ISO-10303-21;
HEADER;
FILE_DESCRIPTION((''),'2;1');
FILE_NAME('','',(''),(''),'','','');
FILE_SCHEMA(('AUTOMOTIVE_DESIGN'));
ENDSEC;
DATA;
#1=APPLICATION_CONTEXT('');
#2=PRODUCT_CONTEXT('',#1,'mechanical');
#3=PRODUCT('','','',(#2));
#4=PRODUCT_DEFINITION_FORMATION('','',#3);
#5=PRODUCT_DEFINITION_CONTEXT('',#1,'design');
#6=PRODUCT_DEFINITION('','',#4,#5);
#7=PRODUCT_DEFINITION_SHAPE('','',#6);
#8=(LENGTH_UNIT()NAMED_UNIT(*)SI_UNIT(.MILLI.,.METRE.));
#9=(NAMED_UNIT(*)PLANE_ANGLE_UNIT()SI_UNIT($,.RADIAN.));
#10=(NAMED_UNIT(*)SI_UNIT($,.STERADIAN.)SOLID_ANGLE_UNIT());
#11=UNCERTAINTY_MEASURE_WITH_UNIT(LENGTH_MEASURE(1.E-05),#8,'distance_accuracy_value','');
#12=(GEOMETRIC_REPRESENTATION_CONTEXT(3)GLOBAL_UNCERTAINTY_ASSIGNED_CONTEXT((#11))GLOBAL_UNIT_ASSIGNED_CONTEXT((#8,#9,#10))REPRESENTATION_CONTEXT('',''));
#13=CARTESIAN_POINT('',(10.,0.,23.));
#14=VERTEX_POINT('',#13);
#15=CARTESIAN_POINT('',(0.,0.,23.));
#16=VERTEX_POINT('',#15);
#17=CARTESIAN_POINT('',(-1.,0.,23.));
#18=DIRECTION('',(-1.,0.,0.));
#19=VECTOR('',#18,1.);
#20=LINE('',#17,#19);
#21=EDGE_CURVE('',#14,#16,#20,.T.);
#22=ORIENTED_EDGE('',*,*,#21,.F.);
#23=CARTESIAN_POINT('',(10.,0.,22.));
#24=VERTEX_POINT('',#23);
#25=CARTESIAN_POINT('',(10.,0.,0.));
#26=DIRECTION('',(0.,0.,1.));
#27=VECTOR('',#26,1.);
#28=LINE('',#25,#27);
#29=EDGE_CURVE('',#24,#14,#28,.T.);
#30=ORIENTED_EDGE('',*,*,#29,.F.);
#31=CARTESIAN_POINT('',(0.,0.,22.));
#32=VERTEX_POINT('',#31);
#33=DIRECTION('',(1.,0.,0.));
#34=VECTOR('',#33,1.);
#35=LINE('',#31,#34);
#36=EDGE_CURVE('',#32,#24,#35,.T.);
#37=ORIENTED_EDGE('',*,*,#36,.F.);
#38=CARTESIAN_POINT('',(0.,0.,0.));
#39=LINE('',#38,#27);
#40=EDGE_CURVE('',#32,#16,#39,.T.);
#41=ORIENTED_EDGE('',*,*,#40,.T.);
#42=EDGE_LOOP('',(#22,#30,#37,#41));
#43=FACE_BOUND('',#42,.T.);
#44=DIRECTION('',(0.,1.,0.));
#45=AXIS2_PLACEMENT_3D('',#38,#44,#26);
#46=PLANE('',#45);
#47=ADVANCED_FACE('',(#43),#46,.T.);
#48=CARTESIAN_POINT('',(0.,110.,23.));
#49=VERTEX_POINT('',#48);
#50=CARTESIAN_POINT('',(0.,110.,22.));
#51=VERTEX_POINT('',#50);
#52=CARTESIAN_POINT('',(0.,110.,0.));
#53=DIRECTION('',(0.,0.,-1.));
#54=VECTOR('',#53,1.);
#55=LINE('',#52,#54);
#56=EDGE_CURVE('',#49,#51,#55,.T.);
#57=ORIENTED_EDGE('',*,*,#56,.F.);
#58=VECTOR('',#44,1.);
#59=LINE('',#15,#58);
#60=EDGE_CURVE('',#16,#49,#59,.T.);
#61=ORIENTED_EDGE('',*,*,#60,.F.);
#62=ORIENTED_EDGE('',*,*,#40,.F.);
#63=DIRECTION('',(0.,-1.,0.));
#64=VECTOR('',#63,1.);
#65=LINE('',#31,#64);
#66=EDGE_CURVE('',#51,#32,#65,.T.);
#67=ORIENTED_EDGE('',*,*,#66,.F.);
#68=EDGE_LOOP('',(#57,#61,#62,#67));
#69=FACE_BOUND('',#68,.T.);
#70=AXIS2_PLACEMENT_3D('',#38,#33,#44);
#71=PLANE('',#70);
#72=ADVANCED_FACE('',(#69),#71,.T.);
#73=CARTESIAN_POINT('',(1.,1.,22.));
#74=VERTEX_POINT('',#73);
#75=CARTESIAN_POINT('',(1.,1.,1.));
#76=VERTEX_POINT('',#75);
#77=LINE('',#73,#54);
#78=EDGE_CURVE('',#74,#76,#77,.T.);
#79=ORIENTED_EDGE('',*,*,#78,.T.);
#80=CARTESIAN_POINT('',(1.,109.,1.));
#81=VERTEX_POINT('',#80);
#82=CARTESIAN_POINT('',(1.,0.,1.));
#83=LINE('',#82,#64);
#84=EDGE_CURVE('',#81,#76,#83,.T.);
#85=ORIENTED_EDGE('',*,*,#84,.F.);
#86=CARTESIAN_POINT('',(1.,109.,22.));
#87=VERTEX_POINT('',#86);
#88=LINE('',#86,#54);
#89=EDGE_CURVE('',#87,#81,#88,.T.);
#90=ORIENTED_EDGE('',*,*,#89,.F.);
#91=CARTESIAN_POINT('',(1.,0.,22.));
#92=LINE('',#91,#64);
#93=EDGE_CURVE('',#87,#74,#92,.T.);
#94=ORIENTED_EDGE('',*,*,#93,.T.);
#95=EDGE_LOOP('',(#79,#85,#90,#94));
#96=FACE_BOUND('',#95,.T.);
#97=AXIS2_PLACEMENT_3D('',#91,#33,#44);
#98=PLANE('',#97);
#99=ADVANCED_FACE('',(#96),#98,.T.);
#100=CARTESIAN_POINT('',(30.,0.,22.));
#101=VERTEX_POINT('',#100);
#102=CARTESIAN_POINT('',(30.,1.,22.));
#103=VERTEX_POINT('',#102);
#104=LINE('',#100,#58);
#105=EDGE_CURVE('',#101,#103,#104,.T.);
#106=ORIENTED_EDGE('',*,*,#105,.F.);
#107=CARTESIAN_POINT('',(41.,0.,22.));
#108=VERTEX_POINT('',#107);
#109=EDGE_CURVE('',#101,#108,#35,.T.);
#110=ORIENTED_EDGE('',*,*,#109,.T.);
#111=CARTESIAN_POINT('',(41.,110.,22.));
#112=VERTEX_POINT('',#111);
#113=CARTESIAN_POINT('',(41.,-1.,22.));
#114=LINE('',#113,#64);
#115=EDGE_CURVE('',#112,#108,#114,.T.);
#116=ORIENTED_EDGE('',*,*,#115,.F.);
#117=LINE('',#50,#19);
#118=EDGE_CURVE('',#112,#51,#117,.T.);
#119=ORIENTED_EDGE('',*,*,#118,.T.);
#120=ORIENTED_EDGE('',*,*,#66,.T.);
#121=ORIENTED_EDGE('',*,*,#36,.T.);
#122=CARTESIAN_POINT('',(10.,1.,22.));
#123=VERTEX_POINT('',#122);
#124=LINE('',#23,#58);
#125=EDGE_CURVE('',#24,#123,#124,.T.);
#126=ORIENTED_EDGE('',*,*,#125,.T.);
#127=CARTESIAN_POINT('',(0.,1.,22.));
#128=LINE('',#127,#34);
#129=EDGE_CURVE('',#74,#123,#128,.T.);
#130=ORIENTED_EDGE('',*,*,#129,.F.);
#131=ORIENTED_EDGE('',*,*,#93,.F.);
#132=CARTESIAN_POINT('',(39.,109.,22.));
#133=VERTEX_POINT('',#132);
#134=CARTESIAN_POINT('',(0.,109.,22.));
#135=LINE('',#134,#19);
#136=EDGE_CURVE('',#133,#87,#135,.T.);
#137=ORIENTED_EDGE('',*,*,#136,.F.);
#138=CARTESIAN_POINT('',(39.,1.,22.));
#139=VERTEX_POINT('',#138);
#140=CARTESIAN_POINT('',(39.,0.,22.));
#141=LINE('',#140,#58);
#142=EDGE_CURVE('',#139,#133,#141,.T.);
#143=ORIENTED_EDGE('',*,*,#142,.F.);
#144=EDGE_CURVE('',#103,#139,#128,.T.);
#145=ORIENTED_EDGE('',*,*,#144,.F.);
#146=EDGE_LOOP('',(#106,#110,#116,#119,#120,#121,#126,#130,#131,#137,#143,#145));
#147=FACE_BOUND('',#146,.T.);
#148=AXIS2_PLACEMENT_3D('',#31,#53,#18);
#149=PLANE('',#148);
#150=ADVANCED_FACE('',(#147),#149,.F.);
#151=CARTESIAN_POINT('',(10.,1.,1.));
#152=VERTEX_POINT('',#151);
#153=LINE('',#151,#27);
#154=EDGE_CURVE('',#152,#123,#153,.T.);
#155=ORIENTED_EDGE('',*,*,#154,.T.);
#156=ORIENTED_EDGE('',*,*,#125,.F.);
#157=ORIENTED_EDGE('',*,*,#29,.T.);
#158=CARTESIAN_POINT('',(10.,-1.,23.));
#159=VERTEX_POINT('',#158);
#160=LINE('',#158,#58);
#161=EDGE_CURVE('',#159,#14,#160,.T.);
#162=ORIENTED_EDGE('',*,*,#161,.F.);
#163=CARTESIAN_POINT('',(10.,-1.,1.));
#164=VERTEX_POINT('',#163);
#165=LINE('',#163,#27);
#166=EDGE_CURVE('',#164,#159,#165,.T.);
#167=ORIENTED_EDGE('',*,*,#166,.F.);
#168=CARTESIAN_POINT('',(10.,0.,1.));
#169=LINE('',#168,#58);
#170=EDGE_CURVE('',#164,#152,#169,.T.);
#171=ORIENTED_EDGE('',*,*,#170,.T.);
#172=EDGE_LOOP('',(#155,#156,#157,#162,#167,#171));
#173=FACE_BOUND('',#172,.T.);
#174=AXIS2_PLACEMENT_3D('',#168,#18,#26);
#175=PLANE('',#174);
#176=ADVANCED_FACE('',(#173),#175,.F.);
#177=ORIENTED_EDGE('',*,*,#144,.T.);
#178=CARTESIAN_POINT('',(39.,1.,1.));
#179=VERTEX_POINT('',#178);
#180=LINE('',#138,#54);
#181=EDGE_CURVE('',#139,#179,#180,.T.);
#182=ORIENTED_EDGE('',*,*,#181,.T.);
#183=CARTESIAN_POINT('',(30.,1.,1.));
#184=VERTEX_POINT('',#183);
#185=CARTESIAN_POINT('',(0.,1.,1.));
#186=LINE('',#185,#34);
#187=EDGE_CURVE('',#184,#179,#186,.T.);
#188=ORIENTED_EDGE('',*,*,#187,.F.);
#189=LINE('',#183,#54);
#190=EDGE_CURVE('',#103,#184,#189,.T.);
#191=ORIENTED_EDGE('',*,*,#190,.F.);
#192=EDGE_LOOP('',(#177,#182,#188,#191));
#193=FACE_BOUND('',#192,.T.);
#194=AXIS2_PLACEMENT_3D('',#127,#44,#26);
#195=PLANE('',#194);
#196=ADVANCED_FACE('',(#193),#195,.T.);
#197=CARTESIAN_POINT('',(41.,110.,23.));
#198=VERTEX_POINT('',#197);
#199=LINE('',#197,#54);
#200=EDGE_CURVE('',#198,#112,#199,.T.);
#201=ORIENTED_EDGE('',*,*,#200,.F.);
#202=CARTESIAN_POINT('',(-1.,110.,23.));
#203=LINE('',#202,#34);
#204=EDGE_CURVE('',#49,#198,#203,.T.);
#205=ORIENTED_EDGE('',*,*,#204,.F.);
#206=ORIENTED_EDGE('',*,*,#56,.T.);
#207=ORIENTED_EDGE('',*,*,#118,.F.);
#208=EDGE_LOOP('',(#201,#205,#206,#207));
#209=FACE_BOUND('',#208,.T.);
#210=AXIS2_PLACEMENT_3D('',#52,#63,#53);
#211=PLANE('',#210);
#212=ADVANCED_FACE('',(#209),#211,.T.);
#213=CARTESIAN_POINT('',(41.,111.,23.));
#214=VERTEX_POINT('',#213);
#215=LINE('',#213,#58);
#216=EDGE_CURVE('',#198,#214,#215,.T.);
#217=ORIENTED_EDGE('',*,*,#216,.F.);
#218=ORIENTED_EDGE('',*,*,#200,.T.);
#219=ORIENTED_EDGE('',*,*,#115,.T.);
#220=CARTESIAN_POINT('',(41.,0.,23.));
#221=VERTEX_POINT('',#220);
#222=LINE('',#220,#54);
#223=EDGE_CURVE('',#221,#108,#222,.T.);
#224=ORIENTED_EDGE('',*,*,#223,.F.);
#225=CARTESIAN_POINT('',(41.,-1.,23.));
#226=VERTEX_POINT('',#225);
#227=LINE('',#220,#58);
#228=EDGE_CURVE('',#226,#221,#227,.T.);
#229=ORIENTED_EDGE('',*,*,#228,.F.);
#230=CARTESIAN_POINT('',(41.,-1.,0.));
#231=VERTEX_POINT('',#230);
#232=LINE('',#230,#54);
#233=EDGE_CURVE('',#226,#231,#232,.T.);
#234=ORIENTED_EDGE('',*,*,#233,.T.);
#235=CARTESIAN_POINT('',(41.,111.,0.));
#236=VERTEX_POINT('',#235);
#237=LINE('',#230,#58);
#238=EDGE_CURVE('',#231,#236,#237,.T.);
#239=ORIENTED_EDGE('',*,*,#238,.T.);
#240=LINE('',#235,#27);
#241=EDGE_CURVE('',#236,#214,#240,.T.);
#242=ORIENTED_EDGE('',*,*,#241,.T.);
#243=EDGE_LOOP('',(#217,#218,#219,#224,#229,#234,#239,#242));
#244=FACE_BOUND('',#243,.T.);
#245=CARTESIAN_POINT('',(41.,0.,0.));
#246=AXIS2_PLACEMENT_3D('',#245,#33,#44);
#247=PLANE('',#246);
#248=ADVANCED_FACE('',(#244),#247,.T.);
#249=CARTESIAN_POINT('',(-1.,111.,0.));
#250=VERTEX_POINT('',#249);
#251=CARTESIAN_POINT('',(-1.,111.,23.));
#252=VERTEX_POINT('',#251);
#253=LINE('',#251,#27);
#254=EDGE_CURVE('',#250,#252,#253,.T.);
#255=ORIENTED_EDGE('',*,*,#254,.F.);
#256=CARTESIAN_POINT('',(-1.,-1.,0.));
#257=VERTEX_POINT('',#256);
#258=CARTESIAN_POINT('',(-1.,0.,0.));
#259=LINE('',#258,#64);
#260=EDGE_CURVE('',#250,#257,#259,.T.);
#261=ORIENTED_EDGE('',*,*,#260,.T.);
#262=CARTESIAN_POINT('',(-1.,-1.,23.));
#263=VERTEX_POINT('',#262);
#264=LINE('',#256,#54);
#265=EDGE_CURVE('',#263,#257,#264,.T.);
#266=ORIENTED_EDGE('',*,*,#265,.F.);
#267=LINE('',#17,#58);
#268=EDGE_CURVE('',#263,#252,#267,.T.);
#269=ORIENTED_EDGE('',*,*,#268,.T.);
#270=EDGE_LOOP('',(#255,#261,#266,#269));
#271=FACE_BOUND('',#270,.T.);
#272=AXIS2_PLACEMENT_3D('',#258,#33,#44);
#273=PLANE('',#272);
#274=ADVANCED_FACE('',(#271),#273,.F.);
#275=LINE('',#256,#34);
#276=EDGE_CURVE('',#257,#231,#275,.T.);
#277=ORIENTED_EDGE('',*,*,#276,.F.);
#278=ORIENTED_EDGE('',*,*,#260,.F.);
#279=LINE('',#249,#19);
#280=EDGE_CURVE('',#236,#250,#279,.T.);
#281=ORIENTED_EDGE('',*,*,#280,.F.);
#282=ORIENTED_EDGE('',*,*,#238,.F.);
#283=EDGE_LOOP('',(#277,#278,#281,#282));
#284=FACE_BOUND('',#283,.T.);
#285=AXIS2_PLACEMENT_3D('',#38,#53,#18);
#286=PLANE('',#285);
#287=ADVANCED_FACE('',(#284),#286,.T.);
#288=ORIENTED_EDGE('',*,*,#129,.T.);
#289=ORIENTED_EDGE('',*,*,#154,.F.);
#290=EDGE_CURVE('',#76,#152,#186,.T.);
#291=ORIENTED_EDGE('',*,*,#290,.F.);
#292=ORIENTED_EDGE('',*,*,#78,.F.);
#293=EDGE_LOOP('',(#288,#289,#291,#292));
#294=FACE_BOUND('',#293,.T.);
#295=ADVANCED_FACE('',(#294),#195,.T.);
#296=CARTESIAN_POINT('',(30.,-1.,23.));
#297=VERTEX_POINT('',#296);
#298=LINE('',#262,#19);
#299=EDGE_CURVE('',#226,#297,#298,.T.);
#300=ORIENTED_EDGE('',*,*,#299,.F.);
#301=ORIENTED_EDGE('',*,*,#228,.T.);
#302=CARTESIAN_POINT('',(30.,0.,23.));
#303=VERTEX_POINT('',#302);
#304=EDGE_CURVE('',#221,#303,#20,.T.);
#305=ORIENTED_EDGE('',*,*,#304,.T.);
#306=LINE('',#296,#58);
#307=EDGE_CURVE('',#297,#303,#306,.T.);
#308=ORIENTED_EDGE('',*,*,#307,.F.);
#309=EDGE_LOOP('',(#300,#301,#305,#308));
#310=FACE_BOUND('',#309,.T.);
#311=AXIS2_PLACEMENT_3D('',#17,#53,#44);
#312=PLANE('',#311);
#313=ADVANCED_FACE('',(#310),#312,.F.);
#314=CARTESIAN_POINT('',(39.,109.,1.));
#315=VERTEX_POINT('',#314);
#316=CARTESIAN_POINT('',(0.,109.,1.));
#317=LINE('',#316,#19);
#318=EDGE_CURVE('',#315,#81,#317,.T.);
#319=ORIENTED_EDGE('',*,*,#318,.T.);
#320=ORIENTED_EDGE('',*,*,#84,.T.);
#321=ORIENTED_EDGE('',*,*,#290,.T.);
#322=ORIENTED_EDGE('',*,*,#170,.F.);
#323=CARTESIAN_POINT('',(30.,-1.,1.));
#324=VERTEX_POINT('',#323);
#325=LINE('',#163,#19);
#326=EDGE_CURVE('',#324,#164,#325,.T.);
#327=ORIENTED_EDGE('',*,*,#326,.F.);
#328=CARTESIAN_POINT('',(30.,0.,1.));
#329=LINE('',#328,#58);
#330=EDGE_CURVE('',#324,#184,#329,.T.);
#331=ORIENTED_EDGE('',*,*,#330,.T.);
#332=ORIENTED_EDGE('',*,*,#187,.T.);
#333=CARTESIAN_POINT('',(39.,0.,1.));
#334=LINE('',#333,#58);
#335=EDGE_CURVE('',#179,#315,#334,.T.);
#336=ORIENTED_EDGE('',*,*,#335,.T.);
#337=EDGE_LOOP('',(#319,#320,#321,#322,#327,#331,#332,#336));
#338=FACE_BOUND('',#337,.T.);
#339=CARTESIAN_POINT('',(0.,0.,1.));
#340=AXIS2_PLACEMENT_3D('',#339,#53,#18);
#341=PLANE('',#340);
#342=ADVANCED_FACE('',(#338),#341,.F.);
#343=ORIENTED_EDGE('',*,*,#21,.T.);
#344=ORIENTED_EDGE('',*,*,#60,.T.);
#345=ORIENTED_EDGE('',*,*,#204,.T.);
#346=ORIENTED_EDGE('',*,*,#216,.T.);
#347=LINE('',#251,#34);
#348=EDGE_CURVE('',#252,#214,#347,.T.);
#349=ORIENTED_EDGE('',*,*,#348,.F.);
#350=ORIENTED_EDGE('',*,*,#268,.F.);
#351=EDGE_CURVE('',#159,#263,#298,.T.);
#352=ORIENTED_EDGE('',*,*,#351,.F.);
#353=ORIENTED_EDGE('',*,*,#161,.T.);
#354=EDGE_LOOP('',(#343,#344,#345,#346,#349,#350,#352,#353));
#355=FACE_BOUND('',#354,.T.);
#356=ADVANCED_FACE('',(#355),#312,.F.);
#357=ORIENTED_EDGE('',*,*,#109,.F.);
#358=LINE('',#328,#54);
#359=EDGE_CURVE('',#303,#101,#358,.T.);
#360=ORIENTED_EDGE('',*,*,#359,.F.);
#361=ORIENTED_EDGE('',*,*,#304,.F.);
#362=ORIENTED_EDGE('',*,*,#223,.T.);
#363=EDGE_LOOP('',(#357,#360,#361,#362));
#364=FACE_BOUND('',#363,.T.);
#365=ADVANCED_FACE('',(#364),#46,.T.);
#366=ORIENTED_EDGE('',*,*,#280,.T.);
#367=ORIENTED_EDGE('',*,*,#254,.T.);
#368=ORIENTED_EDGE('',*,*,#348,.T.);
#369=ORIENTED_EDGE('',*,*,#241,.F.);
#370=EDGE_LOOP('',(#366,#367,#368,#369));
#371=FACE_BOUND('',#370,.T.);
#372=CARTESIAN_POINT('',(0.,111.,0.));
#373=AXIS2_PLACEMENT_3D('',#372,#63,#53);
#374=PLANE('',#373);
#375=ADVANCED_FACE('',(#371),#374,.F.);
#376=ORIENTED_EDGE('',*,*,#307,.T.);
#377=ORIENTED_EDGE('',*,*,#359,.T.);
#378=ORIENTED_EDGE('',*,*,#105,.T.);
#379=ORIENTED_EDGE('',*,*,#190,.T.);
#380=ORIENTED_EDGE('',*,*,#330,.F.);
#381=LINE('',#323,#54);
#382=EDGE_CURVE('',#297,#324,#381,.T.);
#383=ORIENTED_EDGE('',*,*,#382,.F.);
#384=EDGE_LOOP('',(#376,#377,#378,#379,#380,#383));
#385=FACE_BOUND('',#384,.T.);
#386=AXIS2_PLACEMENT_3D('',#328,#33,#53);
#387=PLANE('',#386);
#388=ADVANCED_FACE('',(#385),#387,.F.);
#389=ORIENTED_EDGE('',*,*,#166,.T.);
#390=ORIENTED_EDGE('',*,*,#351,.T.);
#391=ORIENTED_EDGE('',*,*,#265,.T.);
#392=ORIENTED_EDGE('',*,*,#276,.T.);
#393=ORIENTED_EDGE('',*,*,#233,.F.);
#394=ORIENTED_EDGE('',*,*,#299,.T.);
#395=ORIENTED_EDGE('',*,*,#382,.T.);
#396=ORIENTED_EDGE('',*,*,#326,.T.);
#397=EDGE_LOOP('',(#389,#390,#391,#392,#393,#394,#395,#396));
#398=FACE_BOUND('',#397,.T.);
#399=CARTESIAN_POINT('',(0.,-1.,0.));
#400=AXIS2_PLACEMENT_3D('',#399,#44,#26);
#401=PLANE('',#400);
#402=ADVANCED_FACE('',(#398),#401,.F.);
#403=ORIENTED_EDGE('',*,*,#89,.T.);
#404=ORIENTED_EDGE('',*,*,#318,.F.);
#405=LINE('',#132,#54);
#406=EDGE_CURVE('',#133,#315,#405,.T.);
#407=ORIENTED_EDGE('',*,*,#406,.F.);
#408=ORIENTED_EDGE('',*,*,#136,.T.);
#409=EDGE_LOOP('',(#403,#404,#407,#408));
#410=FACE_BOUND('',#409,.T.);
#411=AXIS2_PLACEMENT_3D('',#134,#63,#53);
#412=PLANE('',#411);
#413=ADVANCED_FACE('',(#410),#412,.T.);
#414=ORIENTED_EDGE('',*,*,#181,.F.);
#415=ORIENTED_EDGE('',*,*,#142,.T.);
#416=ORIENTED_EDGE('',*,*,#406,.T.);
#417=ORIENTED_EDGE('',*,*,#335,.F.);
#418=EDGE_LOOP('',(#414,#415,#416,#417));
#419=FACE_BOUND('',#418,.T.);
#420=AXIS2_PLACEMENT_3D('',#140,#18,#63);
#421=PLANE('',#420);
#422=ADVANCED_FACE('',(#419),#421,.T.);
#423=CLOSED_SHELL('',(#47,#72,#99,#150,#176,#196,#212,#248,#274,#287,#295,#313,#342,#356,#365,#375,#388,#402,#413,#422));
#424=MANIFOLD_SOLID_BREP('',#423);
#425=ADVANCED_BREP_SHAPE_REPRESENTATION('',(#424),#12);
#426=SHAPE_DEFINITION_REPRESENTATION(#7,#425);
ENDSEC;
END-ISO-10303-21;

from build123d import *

# Parameters (mm, degrees)
SKETCH_1_W          = 40
SKETCH_1_H          = 110
EXTRUDE_1_DEPTH     = 22
SHELL_1_T           = -1
SKETCH_17_W         = 20
SKETCH_17_H         = 21
CUT_EXTRUDE_3_DEPTH = 2
SKETCH_2_W          = 23
SKETCH_2_H          = 110
EXTRUDE_2_DEPTH     = 1
SKETCH_3_W          = 41
SKETCH_3_H          = 23
EXTRUDE_3_DEPTH     = 1
SKETCH_18_W         = 20
SKETCH_18_H         = 22
CUT_EXTRUDE_4_DEPTH = 2
SKETCH_5_W          = 41
SKETCH_5_H          = 23
EXTRUDE_4_DEPTH     = 1
SKETCH_9_W          = 22
SKETCH_9_H          = 112
EXTRUDE_5_DEPTH     = 1
SKETCH_10_W         = 1
SKETCH_10_H         = 1
EXTRUDE_6_DEPTH     = 1
SKETCH_11_W         = 1
SKETCH_11_H         = 1
EXTRUDE_7_DEPTH     = 1


with BuildPart() as part:
    # 스케치1 → 보스-돌출1 (new body)
    with BuildSketch(Plane.XY):
        with Locations((20, 55)):
            Rectangle(SKETCH_1_W, SKETCH_1_H)
    extrude(amount=EXTRUDE_1_DEPTH)

    # 쉘1
    shell_1_openings = [part.faces().sort_by_distance(p)[0] for p in [
        (20, 55, 22),
    ]]
    offset(amount=SHELL_1_T, openings=shell_1_openings, kind=Kind.INTERSECTION)

    # 스케치17 → 컷-돌출3 (cut, through all)
    with BuildSketch(Plane(origin=(0, 1, 0), x_dir=(1, 0, 0), z_dir=(0, 1, 0))):
        with Locations((20, -11.5)):
            Rectangle(SKETCH_17_W, SKETCH_17_H)
    extrude(amount=-CUT_EXTRUDE_3_DEPTH, mode=Mode.SUBTRACT)

    # 스케치2 → 보스-돌출2 (add)
    with BuildSketch(Plane.ZY):
        with Locations((11.5, 55)):
            Rectangle(SKETCH_2_W, SKETCH_2_H)
    extrude(amount=EXTRUDE_2_DEPTH)

    # 스케치3 → 보스-돌출3 (add)
    with BuildSketch(Plane.XZ):
        with Locations((19.5, 11.5)):
            Rectangle(SKETCH_3_W, SKETCH_3_H)
    extrude(amount=EXTRUDE_3_DEPTH)

    # 스케치18 → 컷-돌출4 (cut, through all)
    with BuildSketch(Plane(origin=(0, 0, 0), x_dir=(1, 0, 0), z_dir=(0, 1, 0))):
        with Locations((20, -12)):
            Rectangle(SKETCH_18_W, SKETCH_18_H)
    extrude(amount=-CUT_EXTRUDE_4_DEPTH, mode=Mode.SUBTRACT)

    # 스케치5 → 보스-돌출4 (add)
    with BuildSketch(Plane(origin=(0, 110, 0), x_dir=(1, 0, 0), z_dir=(0, 1, 0))):
        with Locations((19.5, -11.5)):
            Rectangle(SKETCH_5_W, SKETCH_5_H)
    extrude(amount=EXTRUDE_4_DEPTH)

    # 스케치9 → 보스-돌출5 (add)
    with BuildSketch(Plane(origin=(40, 0, 0), x_dir=(0, 0, -1), z_dir=(1, 0, 0))):
        with Locations((-11, 55)):
            Rectangle(SKETCH_9_W, SKETCH_9_H)
    extrude(amount=EXTRUDE_5_DEPTH)

    # 스케치10 → 보스-돌출6 (add)
    with BuildSketch(Plane.XY.offset(22)):
        with Locations((40.5, 110.5)):
            Rectangle(SKETCH_10_W, SKETCH_10_H)
    extrude(amount=EXTRUDE_6_DEPTH)

    # 스케치11 → 보스-돌출7 (add)
    with BuildSketch(Plane.XY.offset(22)):
        with Locations((40.5, -0.5)):
            Rectangle(SKETCH_11_W, SKETCH_11_H)
    extrude(amount=EXTRUDE_7_DEPTH)


solid = part.part
